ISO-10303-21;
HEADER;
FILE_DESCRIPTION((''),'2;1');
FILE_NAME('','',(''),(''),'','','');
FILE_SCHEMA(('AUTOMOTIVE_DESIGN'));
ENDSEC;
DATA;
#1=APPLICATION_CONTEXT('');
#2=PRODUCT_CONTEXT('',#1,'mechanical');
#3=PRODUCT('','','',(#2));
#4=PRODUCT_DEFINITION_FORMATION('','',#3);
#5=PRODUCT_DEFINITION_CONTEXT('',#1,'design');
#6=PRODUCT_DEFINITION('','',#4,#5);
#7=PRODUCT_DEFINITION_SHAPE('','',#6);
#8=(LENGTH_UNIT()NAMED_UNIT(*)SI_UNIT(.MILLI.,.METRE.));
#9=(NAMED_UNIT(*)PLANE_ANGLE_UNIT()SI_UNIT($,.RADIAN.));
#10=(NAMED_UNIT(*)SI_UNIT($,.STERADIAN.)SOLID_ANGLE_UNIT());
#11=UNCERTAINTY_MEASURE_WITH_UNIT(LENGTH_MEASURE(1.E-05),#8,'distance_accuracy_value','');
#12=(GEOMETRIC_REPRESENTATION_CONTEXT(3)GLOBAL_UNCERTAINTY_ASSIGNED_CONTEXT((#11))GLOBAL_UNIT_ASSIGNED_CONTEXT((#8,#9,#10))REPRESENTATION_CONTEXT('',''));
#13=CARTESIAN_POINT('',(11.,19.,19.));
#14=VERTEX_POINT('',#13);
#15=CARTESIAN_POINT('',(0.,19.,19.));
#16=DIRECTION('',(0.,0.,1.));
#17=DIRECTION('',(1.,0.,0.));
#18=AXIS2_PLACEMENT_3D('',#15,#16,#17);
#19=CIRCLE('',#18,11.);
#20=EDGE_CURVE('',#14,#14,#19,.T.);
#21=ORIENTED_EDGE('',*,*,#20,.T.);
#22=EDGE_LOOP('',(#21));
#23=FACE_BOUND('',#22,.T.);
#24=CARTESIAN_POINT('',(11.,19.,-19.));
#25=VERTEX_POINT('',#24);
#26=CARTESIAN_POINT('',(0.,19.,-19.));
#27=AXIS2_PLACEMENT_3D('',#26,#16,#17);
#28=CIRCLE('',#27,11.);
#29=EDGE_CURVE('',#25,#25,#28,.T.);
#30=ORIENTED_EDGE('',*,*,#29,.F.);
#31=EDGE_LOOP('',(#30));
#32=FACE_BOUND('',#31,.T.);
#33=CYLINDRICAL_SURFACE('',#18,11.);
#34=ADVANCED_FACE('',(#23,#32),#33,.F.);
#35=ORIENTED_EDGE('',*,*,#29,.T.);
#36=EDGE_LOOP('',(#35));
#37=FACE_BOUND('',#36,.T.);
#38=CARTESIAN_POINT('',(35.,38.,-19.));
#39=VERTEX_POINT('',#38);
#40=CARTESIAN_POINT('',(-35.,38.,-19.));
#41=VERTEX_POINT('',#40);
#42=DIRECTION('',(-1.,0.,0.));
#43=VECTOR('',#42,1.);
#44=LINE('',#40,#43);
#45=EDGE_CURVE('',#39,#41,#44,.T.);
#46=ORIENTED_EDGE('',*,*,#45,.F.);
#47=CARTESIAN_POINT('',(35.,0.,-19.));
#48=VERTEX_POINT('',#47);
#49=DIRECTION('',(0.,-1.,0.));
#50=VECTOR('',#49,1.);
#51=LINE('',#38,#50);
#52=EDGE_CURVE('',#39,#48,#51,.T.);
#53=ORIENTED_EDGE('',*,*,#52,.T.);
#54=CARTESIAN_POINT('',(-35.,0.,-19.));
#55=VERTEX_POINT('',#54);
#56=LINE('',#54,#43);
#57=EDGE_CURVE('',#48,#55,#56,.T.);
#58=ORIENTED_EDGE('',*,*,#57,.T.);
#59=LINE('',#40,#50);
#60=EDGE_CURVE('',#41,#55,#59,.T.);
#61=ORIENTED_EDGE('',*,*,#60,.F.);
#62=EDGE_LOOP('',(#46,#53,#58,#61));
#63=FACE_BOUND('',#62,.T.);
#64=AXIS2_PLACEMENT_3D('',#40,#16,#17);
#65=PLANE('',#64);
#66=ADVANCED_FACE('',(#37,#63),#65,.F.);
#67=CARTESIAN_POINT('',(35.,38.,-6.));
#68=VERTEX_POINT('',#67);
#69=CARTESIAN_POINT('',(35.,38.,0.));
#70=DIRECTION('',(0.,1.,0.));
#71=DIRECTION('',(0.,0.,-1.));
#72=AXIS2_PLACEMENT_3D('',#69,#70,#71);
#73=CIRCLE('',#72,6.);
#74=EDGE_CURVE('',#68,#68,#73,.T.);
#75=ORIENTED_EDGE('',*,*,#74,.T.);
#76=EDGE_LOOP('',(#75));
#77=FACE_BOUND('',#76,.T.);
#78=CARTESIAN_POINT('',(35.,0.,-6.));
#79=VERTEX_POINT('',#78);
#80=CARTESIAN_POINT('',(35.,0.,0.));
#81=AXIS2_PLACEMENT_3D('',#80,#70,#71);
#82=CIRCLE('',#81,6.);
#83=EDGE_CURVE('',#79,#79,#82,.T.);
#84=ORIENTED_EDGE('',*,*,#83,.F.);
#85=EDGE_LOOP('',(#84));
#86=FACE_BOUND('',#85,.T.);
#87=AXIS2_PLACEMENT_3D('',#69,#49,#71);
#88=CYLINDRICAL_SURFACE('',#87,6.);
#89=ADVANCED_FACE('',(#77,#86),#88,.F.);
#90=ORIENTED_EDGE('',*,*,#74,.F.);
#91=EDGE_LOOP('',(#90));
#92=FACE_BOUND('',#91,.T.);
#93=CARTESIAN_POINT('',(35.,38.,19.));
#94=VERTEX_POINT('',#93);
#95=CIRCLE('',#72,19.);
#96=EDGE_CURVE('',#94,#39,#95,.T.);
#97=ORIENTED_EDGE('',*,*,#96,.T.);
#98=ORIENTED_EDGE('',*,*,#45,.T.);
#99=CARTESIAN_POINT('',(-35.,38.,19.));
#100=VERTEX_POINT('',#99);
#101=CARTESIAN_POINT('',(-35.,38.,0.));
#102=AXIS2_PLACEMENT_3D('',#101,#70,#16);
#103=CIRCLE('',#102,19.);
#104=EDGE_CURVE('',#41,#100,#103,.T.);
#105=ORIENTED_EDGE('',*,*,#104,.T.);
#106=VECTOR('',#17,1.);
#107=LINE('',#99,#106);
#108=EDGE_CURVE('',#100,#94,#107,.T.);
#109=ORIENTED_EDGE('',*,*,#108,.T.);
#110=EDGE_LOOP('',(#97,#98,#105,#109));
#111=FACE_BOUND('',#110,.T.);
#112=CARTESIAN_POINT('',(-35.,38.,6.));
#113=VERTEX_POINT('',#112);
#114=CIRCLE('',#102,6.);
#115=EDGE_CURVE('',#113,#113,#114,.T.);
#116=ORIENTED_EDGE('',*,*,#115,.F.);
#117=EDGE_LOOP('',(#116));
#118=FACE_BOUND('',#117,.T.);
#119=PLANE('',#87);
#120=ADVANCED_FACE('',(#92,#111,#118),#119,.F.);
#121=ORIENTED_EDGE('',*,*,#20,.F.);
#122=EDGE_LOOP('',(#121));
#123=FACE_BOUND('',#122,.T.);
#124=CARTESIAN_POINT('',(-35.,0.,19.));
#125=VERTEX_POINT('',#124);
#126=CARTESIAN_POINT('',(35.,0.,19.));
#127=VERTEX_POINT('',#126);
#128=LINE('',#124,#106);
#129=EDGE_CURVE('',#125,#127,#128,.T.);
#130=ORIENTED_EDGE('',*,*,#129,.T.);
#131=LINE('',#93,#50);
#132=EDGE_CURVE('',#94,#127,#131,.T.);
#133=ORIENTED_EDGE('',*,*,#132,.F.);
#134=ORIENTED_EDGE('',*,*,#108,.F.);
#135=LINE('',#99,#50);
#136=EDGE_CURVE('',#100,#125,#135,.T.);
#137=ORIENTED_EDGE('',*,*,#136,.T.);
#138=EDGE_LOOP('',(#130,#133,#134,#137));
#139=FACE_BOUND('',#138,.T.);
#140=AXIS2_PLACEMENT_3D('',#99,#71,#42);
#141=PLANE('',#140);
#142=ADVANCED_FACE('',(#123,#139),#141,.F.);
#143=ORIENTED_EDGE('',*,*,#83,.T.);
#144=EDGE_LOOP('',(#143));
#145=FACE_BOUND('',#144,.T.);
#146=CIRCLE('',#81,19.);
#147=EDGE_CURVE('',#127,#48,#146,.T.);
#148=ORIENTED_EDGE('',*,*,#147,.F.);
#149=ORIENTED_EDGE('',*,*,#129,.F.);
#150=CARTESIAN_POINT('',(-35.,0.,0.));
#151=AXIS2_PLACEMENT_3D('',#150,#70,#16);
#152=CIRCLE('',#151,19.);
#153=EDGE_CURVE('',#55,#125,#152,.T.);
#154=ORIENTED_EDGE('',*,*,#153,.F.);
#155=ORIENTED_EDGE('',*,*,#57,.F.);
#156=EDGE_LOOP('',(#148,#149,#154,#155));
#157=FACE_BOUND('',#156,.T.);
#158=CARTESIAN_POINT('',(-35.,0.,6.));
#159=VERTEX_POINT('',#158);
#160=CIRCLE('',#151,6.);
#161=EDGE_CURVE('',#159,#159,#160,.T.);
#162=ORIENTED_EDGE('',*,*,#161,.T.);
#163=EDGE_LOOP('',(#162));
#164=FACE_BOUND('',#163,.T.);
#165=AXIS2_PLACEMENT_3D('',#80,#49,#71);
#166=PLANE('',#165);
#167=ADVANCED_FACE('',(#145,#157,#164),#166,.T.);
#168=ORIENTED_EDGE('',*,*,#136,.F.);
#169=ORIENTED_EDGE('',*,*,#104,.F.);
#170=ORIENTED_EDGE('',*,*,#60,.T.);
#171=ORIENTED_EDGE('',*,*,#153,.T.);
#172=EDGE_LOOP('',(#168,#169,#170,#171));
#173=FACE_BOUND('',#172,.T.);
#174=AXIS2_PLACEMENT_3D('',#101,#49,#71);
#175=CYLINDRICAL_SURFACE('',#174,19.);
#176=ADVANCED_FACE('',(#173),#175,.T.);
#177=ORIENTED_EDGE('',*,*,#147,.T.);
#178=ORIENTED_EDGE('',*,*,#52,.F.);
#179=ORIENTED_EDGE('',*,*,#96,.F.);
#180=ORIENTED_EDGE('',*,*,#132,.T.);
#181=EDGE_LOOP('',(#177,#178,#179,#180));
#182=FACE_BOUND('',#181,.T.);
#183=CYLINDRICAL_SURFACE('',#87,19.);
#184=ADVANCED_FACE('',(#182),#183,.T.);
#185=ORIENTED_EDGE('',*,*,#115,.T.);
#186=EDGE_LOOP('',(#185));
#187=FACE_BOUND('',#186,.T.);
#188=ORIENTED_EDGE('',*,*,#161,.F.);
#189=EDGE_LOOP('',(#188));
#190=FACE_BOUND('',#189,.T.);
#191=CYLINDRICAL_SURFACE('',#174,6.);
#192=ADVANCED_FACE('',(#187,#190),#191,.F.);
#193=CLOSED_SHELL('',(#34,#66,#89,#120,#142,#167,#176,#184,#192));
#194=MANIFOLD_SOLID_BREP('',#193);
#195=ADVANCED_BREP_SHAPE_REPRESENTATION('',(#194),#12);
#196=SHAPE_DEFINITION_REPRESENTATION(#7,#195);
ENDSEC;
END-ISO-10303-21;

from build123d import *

# Parameters (mm, degrees)
SKETCH2_R                  = 6
BOSS_EXTRUDE1_DEPTH        = 38
M24X2_0_TAPPED_HOLE1_D     = 22
M24X2_0_TAPPED_HOLE1_DEPTH = 38
M24X2_0_TAPPED_HOLE1_TIP   = 6.609466809


with BuildPart() as part:
    # Sketch2 → Boss-Extrude1 (new body)
    with BuildSketch(Plane(origin=(0, 0, 0), x_dir=(1, 0, 0), z_dir=(0, 1, 0))):
        with BuildLine():
            Line((-35, 19), (35, 19))
            ThreePointArc((35, 19), (54, 0), (35, -19))
            Line((35, -19), (-35, -19))
            ThreePointArc((-35, -19), (-54, 0), (-35, 19))
        make_face()
        with Locations(Location((-35, 0, 0), (0, 0, 270))):
            Circle(SKETCH2_R, mode=Mode.SUBTRACT)
        with Locations(Location((35, 0, 0), (0, 0, 90))):
            Circle(SKETCH2_R, mode=Mode.SUBTRACT)
    extrude(amount=BOSS_EXTRUDE1_DEPTH)

    # M24x2.0 Tapped Hole1
    with Locations(Plane.XY.offset(19)):
        with Locations((0, 19)):
            Hole(M24X2_0_TAPPED_HOLE1_D / 2, depth=M24X2_0_TAPPED_HOLE1_DEPTH)
            with Locations((0, 0, -(M24X2_0_TAPPED_HOLE1_DEPTH + M24X2_0_TAPPED_HOLE1_TIP / 2))):  # 118° drill point
                Cone(0, M24X2_0_TAPPED_HOLE1_D / 2, M24X2_0_TAPPED_HOLE1_TIP, mode=Mode.SUBTRACT)


solid = part.part
